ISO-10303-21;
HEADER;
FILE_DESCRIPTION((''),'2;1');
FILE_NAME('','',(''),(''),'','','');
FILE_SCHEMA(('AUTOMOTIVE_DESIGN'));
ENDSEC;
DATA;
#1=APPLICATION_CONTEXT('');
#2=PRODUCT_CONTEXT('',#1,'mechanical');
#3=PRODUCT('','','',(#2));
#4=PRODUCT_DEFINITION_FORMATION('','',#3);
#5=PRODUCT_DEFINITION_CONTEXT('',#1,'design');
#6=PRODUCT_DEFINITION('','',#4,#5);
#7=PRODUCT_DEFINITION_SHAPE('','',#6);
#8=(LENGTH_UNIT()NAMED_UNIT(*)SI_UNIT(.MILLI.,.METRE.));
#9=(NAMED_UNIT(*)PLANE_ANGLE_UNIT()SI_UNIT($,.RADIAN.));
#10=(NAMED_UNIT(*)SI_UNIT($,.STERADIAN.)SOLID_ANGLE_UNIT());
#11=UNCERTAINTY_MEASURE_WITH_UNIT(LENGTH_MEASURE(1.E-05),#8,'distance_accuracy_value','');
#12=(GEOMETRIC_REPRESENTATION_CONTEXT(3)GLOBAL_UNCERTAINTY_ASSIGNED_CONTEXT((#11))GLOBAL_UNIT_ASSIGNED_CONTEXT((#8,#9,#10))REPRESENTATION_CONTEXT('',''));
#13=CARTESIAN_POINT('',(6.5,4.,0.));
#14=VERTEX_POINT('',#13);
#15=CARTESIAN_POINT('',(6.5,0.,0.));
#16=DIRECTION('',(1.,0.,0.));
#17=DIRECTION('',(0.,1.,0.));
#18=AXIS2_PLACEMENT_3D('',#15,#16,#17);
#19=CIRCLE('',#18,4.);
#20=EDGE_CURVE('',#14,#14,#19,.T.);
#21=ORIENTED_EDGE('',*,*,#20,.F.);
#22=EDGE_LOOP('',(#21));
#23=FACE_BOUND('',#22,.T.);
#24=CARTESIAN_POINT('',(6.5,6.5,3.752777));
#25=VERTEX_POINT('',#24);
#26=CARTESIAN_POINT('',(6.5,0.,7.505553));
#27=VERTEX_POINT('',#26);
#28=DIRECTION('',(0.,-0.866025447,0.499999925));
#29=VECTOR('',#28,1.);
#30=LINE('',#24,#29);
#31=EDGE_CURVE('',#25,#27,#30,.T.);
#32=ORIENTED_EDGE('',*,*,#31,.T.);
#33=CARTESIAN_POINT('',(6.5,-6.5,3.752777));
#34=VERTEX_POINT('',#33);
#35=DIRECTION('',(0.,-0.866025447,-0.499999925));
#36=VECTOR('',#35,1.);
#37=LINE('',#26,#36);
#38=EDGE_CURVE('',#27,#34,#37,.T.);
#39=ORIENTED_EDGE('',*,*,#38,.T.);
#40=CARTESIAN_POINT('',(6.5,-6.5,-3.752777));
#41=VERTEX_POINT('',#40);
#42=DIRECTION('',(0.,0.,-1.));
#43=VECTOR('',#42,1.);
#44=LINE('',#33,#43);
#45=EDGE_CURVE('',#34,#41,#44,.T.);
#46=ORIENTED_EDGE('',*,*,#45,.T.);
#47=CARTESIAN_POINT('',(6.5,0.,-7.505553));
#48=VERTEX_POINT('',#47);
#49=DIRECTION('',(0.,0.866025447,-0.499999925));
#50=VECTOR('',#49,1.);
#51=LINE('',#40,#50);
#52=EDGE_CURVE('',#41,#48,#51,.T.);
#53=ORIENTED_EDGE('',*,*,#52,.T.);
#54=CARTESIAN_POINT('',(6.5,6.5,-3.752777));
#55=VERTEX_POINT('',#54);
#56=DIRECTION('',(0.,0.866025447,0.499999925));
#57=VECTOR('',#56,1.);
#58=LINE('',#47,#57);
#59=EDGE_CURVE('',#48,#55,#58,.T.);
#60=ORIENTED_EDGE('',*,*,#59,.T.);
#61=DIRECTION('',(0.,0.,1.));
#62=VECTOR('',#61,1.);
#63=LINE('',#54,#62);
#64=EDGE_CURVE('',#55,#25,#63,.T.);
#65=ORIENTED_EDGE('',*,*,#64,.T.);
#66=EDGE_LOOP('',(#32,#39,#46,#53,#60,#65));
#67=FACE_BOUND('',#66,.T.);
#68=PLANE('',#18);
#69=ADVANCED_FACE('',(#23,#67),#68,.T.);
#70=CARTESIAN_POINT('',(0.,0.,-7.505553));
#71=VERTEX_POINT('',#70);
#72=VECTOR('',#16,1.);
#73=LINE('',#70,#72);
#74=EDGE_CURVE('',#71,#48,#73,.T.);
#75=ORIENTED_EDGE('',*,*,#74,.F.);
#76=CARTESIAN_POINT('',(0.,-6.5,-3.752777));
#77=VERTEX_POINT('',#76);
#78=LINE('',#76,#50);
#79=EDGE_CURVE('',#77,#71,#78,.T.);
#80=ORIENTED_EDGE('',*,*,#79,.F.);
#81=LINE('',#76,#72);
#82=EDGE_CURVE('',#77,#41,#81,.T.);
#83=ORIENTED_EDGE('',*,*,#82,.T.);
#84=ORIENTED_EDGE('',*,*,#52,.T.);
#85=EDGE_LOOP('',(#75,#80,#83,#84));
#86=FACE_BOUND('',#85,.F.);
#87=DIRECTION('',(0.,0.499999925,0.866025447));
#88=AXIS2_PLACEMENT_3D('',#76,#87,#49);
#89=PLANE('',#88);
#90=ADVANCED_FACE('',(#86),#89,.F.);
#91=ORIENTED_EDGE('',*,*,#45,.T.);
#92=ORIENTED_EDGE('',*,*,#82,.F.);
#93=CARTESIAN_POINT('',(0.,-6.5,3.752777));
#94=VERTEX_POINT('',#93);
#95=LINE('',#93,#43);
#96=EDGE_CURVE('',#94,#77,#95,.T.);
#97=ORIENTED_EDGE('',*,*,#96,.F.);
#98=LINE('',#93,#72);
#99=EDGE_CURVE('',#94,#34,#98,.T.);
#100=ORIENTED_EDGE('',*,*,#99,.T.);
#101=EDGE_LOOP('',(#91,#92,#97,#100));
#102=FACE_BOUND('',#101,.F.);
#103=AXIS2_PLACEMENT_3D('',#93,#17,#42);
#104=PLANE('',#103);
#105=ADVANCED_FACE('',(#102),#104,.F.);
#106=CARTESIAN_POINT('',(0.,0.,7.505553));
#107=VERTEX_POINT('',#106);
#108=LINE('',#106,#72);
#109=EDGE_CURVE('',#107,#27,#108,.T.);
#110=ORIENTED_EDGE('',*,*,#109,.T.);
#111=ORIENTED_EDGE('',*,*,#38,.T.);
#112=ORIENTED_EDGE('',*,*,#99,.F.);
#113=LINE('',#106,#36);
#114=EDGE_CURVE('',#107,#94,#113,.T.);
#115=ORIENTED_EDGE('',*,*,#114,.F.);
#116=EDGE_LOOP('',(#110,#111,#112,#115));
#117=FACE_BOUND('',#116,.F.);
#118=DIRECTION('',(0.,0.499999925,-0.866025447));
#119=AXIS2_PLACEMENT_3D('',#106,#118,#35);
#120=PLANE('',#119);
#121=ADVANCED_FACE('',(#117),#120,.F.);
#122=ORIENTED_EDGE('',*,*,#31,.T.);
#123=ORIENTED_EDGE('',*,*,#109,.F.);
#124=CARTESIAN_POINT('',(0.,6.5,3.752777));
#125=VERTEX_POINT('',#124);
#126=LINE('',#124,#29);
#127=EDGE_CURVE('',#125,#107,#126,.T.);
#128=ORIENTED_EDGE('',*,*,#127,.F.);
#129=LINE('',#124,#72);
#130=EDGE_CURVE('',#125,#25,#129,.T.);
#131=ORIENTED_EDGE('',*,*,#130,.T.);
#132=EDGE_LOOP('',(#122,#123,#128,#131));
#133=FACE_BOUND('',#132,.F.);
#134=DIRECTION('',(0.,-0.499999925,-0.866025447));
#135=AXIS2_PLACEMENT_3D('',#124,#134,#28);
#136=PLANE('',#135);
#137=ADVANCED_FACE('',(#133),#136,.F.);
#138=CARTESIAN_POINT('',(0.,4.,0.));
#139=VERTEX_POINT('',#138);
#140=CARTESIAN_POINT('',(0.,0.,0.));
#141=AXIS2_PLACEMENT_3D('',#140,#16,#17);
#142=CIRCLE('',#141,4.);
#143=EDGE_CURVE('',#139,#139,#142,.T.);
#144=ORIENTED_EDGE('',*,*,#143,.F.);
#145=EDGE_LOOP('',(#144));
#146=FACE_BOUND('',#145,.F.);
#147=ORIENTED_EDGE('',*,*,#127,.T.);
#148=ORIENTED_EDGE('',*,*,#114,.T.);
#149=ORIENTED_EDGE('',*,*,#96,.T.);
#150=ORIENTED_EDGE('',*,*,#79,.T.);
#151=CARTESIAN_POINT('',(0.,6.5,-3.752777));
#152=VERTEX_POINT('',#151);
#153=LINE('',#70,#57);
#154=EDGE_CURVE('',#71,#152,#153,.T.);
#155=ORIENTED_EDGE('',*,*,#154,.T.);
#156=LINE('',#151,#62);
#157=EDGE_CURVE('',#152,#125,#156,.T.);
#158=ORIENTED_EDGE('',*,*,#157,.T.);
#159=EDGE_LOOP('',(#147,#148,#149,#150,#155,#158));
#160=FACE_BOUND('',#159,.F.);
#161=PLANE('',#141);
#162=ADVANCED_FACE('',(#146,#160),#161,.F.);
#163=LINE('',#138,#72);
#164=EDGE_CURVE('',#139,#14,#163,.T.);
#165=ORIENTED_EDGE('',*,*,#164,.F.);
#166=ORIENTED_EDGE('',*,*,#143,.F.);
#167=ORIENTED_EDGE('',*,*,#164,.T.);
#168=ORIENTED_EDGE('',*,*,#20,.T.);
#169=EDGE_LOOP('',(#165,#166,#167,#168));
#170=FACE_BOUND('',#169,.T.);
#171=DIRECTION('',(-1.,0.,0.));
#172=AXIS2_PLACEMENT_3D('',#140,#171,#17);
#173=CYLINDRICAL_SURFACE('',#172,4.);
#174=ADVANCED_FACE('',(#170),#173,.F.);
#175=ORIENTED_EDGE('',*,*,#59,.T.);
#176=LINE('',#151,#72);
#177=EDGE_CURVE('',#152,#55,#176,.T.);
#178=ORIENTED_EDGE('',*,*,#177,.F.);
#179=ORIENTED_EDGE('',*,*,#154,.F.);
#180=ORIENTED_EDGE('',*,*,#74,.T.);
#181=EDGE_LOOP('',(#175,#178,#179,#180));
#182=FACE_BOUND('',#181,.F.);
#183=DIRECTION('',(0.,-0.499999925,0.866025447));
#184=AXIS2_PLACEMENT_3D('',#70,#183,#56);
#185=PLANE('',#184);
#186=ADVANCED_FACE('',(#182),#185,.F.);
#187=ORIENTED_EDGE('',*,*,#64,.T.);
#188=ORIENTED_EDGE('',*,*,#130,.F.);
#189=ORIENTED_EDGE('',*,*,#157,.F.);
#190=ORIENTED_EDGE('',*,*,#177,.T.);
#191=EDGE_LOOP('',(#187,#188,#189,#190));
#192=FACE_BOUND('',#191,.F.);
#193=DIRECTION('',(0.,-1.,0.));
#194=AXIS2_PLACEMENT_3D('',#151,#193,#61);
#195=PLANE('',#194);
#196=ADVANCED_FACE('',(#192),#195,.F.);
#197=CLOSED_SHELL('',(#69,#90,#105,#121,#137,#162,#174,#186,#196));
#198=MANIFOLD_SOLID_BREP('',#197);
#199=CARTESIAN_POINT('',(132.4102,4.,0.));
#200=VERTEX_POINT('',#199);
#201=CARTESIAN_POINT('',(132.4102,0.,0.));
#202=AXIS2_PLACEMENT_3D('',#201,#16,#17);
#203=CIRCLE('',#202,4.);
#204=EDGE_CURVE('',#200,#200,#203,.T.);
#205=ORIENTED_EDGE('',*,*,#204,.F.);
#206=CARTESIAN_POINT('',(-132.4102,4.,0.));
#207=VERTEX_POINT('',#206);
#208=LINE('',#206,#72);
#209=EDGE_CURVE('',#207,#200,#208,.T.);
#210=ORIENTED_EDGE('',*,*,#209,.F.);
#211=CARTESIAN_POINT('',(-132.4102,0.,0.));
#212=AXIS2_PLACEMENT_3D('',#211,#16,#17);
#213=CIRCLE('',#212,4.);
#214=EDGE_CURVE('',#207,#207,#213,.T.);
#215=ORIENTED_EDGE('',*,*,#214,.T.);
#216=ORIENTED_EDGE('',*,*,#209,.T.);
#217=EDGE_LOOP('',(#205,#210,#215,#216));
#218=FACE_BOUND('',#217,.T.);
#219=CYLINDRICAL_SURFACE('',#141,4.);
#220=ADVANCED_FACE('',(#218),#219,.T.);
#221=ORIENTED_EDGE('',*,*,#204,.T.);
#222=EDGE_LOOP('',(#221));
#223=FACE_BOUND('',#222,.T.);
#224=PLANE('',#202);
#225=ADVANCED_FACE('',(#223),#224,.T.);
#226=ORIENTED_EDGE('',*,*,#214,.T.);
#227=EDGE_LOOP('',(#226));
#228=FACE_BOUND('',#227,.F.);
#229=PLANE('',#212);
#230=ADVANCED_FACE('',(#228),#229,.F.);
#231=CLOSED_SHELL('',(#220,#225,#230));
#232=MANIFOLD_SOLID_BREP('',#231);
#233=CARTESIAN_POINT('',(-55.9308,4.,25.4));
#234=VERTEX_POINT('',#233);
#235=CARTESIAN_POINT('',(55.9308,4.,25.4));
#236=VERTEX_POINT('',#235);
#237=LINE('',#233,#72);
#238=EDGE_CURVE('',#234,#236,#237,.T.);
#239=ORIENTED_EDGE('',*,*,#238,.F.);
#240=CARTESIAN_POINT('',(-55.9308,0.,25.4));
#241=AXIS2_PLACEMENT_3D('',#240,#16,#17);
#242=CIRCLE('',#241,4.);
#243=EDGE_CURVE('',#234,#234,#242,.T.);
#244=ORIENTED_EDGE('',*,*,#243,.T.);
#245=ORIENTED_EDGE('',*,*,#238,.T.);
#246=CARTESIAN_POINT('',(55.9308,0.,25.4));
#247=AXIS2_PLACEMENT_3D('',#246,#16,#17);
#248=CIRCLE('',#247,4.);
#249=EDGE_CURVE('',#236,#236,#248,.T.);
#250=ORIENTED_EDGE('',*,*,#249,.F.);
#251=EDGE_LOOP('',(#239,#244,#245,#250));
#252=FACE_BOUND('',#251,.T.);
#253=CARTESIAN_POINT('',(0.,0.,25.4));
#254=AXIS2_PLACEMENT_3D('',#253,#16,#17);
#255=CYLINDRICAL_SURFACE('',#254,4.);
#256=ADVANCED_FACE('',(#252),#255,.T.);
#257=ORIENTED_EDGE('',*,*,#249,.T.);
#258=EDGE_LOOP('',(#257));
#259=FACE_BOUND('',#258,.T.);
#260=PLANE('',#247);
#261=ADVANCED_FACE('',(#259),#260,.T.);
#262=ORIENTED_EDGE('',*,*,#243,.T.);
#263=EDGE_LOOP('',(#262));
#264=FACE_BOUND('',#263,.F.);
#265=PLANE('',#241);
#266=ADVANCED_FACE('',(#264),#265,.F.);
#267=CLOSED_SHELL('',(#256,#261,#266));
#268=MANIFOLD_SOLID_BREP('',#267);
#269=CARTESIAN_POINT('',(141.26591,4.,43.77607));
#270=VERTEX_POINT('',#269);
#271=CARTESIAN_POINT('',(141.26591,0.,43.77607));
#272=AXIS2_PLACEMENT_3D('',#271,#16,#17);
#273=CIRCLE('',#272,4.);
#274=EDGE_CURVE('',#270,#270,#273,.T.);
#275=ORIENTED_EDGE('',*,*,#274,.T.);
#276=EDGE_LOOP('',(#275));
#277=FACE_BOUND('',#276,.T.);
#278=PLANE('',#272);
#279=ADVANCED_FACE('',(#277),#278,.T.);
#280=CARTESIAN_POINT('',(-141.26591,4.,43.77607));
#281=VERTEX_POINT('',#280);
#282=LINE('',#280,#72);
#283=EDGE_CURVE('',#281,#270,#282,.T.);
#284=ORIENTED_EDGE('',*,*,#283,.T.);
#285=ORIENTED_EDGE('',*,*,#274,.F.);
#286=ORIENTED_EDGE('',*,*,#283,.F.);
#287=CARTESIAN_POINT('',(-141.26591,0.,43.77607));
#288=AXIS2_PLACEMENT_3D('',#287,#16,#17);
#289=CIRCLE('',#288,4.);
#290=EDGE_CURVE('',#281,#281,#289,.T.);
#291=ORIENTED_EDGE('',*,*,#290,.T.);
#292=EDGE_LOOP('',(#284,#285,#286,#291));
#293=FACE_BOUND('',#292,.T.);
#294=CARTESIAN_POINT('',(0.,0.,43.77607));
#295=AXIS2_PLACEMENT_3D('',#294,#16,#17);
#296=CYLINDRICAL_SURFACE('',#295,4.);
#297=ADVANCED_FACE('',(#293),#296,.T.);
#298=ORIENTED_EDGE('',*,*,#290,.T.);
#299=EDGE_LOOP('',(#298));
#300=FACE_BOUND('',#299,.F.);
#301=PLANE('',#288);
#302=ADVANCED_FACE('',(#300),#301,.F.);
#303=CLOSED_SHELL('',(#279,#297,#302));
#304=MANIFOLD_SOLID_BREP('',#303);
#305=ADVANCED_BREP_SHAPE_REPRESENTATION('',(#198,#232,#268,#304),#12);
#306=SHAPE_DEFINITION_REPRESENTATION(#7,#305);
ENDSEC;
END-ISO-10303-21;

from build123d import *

# Parameters (mm, degrees)
F1_R          = 4
F2_DEPTH      = 132.4102
F2_DEPTH_BACK = 132.4102
F3_DEPTH      = 6.5
F5_R          = 4
F6_DEPTH      = 55.9308
F6_DEPTH_BACK = 55.9308
F8_R          = 4
F9_DEPTH      = 141.26591
F9_DEPTH_BACK = 141.26591


with BuildPart() as f2:
    # F1 (on Right) → F2 (new body, two sides)
    with BuildSketch(Plane.YZ) as f2_sk:
        Circle(F1_R)
    extrude(amount=F2_DEPTH)
    extrude(f2_sk.sketch, amount=-F2_DEPTH_BACK)


with BuildPart() as f3:
    # F1 (on Right) → F3 (new body)
    with BuildSketch(Plane.YZ):
        Polygon((6.5, 3.752777), (0, 7.505553), (-6.5, 3.752777), (-6.5, -3.752777), (0, -7.505553), (6.5, -3.752777), align=None)
        Circle(F1_R, mode=Mode.SUBTRACT)
    extrude(amount=F3_DEPTH)


with BuildPart() as f6:
    # F5 (on Right) → F6 (new body, two sides)
    with BuildSketch(Plane.YZ) as f6_sk:
        with Locations((0, 25.4)):
            Circle(F5_R)
    extrude(amount=F6_DEPTH)
    extrude(f6_sk.sketch, amount=-F6_DEPTH_BACK)


with BuildPart() as f9:
    # F8 (on Right) → F9 (new body, two sides)
    with BuildSketch(Plane.YZ) as f9_sk:
        with Locations((0, 43.77607)):
            Circle(F8_R)
    extrude(amount=F9_DEPTH)
    extrude(f9_sk.sketch, amount=-F9_DEPTH_BACK)


solid = Compound([f2.part, f3.part, f6.part, f9.part])
